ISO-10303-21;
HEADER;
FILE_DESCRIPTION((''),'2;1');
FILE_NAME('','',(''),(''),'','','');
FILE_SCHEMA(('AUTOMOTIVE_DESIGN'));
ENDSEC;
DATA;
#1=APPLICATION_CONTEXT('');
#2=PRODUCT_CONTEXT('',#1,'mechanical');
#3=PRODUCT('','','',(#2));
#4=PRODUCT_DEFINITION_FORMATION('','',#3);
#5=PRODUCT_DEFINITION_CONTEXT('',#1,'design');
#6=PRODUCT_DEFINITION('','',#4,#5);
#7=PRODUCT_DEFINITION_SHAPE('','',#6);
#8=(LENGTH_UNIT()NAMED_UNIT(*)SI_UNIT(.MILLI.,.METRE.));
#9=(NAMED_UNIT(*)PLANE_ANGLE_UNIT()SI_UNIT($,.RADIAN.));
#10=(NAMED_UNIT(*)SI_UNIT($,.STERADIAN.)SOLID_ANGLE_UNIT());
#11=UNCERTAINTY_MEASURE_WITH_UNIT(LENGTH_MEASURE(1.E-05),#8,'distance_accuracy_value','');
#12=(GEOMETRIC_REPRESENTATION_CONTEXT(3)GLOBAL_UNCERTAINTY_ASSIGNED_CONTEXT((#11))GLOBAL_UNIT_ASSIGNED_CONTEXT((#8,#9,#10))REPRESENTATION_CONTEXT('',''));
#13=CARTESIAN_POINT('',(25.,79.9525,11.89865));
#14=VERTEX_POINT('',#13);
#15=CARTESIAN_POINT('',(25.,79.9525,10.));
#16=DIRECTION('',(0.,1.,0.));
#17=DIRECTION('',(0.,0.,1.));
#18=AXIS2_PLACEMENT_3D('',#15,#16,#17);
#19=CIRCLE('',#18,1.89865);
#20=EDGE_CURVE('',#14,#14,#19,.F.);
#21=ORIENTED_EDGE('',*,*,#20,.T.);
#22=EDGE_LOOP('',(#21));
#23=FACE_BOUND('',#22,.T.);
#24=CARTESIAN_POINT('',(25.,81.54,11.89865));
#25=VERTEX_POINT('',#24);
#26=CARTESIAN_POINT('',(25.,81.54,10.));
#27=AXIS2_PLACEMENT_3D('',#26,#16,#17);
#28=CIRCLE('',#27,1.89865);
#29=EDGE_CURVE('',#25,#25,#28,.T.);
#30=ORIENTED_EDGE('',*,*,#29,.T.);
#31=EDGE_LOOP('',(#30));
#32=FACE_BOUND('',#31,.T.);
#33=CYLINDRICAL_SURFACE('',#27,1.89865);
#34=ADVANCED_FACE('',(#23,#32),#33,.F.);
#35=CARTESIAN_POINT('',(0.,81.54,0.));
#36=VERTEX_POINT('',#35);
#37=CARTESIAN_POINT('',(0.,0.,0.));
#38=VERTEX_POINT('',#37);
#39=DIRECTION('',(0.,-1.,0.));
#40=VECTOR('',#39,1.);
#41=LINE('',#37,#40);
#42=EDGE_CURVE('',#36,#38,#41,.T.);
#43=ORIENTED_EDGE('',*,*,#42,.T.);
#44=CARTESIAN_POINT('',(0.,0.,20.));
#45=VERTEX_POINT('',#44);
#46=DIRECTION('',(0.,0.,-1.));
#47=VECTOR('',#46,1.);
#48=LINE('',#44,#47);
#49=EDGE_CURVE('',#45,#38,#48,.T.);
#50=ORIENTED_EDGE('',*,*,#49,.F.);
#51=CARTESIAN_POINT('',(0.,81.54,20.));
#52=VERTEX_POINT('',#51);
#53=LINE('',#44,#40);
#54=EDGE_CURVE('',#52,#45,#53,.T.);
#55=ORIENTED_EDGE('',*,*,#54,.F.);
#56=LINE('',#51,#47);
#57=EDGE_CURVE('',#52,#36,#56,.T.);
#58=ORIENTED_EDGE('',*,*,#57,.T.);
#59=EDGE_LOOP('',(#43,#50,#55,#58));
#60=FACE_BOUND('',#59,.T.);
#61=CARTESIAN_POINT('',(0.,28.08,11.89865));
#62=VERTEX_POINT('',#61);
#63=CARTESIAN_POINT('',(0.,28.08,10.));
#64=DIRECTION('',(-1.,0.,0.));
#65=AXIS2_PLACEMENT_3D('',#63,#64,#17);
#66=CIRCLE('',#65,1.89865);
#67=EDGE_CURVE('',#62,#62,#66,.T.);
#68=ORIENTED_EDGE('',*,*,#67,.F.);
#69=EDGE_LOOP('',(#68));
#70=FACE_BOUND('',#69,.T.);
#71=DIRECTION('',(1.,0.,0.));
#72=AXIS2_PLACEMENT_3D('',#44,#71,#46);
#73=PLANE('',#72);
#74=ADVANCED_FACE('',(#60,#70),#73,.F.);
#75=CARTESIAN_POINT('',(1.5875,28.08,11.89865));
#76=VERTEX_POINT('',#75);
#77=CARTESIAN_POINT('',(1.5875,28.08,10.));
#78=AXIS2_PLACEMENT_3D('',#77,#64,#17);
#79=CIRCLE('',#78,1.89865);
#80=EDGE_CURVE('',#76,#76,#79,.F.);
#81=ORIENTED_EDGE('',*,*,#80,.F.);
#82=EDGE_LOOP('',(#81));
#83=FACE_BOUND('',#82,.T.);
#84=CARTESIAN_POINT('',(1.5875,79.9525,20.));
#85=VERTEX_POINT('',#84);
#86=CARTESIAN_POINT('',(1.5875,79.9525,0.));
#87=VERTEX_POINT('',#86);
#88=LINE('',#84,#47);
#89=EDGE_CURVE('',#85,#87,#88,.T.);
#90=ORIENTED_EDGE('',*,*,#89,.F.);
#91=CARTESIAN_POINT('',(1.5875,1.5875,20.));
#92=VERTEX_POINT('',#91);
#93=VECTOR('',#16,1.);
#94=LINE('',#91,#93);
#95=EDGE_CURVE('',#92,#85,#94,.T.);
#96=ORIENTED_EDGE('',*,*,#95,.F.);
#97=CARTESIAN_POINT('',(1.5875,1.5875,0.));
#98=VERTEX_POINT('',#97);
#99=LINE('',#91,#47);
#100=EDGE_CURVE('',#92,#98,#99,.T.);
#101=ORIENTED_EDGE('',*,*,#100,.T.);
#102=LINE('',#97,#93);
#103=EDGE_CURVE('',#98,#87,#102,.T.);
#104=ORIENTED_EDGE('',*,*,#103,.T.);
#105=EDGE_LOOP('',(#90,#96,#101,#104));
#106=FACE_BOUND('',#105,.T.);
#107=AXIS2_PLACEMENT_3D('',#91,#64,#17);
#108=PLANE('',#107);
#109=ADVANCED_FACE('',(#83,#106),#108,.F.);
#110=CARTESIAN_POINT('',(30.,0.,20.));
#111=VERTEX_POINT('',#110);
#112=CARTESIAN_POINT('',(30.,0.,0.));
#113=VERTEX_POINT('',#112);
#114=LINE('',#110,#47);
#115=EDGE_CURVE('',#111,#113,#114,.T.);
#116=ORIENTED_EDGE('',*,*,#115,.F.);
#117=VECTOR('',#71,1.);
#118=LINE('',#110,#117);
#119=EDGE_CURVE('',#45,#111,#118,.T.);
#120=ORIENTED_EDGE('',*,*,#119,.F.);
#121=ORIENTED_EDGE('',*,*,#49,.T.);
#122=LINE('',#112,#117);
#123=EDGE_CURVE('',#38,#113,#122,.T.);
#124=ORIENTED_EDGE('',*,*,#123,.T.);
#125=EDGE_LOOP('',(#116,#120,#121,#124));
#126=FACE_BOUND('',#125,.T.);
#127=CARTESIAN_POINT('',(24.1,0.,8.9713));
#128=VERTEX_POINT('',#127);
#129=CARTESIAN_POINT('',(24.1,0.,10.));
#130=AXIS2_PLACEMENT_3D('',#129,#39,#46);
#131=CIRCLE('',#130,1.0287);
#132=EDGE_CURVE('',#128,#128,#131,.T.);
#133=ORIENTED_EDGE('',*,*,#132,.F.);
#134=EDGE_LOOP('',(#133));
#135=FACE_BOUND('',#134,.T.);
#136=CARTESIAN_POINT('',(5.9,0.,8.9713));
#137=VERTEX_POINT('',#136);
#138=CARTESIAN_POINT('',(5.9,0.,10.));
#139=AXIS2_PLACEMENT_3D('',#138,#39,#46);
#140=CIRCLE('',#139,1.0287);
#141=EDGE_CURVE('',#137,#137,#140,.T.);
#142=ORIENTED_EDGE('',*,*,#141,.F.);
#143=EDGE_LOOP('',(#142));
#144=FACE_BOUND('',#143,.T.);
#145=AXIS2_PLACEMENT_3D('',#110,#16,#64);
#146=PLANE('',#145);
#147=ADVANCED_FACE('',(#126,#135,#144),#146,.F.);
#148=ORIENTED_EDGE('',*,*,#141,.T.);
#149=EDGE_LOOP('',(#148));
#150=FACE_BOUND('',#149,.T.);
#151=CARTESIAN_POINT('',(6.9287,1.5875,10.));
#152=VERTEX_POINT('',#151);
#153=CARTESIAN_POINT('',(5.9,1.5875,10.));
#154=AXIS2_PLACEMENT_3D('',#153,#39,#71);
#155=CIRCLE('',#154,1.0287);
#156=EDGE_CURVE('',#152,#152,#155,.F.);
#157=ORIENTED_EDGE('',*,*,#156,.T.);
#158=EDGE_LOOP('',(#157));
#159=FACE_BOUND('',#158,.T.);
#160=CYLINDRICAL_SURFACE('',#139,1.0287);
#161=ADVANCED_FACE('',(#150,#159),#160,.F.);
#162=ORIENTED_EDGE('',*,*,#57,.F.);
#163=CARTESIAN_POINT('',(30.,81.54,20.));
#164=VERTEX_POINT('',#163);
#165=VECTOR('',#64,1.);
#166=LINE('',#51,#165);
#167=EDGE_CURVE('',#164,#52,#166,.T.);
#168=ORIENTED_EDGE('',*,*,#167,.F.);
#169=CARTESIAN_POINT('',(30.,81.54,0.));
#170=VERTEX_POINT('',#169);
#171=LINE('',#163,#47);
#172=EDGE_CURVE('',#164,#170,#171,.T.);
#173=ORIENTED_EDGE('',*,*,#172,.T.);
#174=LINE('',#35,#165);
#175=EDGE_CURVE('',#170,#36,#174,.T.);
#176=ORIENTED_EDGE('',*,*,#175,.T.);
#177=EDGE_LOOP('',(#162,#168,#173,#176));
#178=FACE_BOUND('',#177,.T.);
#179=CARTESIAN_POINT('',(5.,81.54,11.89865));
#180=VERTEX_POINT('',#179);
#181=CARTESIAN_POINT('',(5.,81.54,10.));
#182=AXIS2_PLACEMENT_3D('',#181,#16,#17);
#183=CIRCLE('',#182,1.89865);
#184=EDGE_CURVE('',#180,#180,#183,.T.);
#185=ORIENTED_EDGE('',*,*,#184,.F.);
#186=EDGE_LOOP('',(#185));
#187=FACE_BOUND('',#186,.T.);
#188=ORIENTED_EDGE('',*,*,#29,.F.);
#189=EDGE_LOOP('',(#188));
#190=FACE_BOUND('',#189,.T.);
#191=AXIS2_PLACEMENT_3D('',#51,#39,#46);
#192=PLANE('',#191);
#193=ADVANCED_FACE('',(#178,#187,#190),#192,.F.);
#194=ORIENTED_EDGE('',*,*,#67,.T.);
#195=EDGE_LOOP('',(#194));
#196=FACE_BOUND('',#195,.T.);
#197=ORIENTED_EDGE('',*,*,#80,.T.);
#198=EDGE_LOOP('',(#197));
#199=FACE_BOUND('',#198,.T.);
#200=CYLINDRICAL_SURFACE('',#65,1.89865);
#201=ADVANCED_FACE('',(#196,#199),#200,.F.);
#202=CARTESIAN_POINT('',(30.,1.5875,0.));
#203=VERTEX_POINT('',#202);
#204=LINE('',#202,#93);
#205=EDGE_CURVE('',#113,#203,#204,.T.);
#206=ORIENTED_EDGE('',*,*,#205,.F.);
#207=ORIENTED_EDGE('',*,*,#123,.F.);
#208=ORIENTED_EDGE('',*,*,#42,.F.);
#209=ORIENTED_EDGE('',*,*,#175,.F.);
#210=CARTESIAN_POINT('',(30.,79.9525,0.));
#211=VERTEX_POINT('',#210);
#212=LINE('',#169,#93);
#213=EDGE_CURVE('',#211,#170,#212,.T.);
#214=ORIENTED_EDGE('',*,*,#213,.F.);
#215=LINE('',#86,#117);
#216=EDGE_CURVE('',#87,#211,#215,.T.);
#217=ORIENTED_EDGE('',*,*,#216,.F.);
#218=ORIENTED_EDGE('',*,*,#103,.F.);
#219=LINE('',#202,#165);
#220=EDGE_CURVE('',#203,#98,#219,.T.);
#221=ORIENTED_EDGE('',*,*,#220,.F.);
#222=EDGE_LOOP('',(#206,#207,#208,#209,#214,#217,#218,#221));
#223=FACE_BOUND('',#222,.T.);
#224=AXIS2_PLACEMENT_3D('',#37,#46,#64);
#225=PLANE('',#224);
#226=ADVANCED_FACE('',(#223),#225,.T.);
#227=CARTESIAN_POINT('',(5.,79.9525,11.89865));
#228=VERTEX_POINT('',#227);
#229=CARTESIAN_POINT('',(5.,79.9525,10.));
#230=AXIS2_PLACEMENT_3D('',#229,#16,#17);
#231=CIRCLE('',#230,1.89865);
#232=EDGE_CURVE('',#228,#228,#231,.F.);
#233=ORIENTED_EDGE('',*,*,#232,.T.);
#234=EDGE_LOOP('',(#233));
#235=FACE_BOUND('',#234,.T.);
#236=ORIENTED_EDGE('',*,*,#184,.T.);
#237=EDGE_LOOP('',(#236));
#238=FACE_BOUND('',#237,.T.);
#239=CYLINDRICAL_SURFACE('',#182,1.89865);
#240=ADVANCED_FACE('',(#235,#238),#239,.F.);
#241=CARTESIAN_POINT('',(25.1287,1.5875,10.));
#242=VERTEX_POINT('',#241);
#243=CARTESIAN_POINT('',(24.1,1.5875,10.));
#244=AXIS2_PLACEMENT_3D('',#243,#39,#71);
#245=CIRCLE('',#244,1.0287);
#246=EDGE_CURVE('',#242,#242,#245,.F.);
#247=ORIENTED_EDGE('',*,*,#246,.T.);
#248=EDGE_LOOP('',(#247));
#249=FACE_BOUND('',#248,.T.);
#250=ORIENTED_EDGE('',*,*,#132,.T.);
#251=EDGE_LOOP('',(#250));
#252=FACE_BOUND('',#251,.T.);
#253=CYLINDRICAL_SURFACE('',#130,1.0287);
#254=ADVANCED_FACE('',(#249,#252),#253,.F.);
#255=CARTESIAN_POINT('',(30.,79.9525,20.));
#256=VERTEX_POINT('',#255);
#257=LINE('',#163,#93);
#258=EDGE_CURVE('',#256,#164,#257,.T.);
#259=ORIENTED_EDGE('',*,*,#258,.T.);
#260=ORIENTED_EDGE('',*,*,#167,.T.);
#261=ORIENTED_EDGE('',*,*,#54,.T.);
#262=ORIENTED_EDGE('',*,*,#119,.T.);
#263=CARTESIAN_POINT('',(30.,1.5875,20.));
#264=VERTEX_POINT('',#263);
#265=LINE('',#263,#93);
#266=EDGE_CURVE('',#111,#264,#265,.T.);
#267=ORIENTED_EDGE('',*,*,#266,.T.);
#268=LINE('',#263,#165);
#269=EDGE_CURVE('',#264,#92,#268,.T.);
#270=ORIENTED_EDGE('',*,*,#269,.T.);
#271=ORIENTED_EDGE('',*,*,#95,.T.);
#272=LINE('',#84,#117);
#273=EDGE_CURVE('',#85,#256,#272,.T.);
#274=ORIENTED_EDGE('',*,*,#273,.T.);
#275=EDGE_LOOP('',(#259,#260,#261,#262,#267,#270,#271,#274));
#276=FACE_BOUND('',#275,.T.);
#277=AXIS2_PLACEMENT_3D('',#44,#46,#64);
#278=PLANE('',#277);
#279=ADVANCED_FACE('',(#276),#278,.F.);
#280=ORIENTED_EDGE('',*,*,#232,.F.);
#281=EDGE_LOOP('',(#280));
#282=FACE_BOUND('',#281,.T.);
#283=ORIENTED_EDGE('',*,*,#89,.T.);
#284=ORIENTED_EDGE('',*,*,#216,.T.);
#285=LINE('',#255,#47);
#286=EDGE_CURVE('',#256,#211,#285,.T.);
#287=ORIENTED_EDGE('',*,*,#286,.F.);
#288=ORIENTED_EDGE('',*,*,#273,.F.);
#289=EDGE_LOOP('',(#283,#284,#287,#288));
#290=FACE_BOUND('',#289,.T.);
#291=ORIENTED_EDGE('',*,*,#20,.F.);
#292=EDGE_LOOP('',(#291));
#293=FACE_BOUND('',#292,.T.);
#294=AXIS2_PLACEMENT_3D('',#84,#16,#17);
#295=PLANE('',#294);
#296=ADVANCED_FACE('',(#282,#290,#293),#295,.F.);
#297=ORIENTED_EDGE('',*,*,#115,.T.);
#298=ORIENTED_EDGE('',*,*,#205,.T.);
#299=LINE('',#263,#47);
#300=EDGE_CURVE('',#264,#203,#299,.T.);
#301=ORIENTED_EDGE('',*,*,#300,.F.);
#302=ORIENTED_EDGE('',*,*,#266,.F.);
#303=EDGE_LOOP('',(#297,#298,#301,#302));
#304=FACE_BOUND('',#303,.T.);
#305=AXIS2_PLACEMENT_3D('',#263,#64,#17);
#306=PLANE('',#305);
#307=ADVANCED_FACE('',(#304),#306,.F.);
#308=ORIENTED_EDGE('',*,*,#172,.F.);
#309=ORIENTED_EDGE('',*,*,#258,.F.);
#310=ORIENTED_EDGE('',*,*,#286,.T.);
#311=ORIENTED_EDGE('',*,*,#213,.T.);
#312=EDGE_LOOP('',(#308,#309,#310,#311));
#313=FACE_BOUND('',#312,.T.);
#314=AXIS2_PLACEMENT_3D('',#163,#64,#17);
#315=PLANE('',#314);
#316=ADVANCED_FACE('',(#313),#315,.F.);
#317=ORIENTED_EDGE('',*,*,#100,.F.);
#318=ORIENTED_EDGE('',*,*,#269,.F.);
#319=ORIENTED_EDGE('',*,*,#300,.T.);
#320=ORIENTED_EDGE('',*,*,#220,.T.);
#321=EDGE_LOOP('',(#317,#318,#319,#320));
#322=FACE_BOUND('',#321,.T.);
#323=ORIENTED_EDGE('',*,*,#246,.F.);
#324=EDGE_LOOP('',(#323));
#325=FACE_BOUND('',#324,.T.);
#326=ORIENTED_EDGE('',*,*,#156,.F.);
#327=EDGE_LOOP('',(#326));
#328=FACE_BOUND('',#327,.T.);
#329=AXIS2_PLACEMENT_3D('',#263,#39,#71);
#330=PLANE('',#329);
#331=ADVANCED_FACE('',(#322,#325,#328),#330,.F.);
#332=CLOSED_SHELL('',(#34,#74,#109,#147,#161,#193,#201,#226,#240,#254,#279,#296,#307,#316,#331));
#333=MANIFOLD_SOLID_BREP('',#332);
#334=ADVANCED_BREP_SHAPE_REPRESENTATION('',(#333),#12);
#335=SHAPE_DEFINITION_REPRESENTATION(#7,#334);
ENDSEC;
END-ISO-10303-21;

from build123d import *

# Parameters (mm, degrees)
BOSS_EXTRUDE1_DEPTH        = 20
F_6_CLEARANCE_HOLE1_REACH  = 91.156
F_6_CLEARANCE_HOLE1_BORE_R = 1.89865
F_1_CLEARANCE_HOLE1_REACH  = 91.156
F_1_CLEARANCE_HOLE1_BORE_R = 1.0287
F_6_CLEARANCE_HOLE2_D      = 3.7973


with BuildPart() as part:
    # Sketch1 → Boss-Extrude1 (new body)
    with BuildSketch(Plane.XY):
        Polygon((30, 0), (0, 0), (0, 81.54), (30, 81.54), (30, 79.9525), (1.5875, 79.9525), (1.5875, 1.5875), (30, 1.5875), align=None)
    extrude(amount=BOSS_EXTRUDE1_DEPTH)

    # #6 Clearance Hole1 bore → #6 Clearance Hole1 (cut, up to next)
    with BuildSketch(Plane(origin=(0, 81.54, 0), x_dir=(1, 0, 0), z_dir=(0, 1, 0)), mode=Mode.PRIVATE) as f_6_clearance_hole1_sk1:
        with Locations((5, -10)):
            Circle(F_6_CLEARANCE_HOLE1_BORE_R)
    f_6_clearance_hole1_tool1 = extrude(f_6_clearance_hole1_sk1.sketch, amount=-F_6_CLEARANCE_HOLE1_REACH, mode=Mode.PRIVATE) & part.part
    # #6 Clearance Hole1 bore → #6 Clearance Hole1 (cut, up to next)
    with BuildSketch(Plane(origin=(0, 81.54, 0), x_dir=(1, 0, 0), z_dir=(0, 1, 0)), mode=Mode.PRIVATE) as f_6_clearance_hole1_sk2:
        with Locations((25, -10)):
            Circle(F_6_CLEARANCE_HOLE1_BORE_R)
    f_6_clearance_hole1_tool2 = extrude(f_6_clearance_hole1_sk2.sketch, amount=-F_6_CLEARANCE_HOLE1_REACH, mode=Mode.PRIVATE) & part.part
    add(f_6_clearance_hole1_tool1.solids().sort_by_distance((5, 81.54, 10))[0], mode=Mode.SUBTRACT)
    add(f_6_clearance_hole1_tool2.solids().sort_by_distance((25, 81.54, 10))[0], mode=Mode.SUBTRACT)

    # #1 Clearance Hole1 bore → #1 Clearance Hole1 (cut, up to next)
    with BuildSketch(Plane(origin=(0, 0, 0), x_dir=(-1, 0, 0), z_dir=(0, -1, 0)), mode=Mode.PRIVATE) as f_1_clearance_hole1_sk1:
        with Locations((-5.9, -10)):
            Circle(F_1_CLEARANCE_HOLE1_BORE_R)
    f_1_clearance_hole1_tool1 = extrude(f_1_clearance_hole1_sk1.sketch, amount=-F_1_CLEARANCE_HOLE1_REACH, mode=Mode.PRIVATE) & part.part
    # #1 Clearance Hole1 bore → #1 Clearance Hole1 (cut, up to next)
    with BuildSketch(Plane(origin=(0, 0, 0), x_dir=(-1, 0, 0), z_dir=(0, -1, 0)), mode=Mode.PRIVATE) as f_1_clearance_hole1_sk2:
        with Locations((-24.1, -10)):
            Circle(F_1_CLEARANCE_HOLE1_BORE_R)
    f_1_clearance_hole1_tool2 = extrude(f_1_clearance_hole1_sk2.sketch, amount=-F_1_CLEARANCE_HOLE1_REACH, mode=Mode.PRIVATE) & part.part
    add(f_1_clearance_hole1_tool1.solids().sort_by_distance((5.9, 0, 10))[0], mode=Mode.SUBTRACT)
    add(f_1_clearance_hole1_tool2.solids().sort_by_distance((24.1, 0, 10))[0], mode=Mode.SUBTRACT)

    # #6 Clearance Hole2 (through all)
    with Locations(Plane.ZY):
        with Locations((10, 28.08)):
            Hole(F_6_CLEARANCE_HOLE2_D / 2)


solid = part.part
